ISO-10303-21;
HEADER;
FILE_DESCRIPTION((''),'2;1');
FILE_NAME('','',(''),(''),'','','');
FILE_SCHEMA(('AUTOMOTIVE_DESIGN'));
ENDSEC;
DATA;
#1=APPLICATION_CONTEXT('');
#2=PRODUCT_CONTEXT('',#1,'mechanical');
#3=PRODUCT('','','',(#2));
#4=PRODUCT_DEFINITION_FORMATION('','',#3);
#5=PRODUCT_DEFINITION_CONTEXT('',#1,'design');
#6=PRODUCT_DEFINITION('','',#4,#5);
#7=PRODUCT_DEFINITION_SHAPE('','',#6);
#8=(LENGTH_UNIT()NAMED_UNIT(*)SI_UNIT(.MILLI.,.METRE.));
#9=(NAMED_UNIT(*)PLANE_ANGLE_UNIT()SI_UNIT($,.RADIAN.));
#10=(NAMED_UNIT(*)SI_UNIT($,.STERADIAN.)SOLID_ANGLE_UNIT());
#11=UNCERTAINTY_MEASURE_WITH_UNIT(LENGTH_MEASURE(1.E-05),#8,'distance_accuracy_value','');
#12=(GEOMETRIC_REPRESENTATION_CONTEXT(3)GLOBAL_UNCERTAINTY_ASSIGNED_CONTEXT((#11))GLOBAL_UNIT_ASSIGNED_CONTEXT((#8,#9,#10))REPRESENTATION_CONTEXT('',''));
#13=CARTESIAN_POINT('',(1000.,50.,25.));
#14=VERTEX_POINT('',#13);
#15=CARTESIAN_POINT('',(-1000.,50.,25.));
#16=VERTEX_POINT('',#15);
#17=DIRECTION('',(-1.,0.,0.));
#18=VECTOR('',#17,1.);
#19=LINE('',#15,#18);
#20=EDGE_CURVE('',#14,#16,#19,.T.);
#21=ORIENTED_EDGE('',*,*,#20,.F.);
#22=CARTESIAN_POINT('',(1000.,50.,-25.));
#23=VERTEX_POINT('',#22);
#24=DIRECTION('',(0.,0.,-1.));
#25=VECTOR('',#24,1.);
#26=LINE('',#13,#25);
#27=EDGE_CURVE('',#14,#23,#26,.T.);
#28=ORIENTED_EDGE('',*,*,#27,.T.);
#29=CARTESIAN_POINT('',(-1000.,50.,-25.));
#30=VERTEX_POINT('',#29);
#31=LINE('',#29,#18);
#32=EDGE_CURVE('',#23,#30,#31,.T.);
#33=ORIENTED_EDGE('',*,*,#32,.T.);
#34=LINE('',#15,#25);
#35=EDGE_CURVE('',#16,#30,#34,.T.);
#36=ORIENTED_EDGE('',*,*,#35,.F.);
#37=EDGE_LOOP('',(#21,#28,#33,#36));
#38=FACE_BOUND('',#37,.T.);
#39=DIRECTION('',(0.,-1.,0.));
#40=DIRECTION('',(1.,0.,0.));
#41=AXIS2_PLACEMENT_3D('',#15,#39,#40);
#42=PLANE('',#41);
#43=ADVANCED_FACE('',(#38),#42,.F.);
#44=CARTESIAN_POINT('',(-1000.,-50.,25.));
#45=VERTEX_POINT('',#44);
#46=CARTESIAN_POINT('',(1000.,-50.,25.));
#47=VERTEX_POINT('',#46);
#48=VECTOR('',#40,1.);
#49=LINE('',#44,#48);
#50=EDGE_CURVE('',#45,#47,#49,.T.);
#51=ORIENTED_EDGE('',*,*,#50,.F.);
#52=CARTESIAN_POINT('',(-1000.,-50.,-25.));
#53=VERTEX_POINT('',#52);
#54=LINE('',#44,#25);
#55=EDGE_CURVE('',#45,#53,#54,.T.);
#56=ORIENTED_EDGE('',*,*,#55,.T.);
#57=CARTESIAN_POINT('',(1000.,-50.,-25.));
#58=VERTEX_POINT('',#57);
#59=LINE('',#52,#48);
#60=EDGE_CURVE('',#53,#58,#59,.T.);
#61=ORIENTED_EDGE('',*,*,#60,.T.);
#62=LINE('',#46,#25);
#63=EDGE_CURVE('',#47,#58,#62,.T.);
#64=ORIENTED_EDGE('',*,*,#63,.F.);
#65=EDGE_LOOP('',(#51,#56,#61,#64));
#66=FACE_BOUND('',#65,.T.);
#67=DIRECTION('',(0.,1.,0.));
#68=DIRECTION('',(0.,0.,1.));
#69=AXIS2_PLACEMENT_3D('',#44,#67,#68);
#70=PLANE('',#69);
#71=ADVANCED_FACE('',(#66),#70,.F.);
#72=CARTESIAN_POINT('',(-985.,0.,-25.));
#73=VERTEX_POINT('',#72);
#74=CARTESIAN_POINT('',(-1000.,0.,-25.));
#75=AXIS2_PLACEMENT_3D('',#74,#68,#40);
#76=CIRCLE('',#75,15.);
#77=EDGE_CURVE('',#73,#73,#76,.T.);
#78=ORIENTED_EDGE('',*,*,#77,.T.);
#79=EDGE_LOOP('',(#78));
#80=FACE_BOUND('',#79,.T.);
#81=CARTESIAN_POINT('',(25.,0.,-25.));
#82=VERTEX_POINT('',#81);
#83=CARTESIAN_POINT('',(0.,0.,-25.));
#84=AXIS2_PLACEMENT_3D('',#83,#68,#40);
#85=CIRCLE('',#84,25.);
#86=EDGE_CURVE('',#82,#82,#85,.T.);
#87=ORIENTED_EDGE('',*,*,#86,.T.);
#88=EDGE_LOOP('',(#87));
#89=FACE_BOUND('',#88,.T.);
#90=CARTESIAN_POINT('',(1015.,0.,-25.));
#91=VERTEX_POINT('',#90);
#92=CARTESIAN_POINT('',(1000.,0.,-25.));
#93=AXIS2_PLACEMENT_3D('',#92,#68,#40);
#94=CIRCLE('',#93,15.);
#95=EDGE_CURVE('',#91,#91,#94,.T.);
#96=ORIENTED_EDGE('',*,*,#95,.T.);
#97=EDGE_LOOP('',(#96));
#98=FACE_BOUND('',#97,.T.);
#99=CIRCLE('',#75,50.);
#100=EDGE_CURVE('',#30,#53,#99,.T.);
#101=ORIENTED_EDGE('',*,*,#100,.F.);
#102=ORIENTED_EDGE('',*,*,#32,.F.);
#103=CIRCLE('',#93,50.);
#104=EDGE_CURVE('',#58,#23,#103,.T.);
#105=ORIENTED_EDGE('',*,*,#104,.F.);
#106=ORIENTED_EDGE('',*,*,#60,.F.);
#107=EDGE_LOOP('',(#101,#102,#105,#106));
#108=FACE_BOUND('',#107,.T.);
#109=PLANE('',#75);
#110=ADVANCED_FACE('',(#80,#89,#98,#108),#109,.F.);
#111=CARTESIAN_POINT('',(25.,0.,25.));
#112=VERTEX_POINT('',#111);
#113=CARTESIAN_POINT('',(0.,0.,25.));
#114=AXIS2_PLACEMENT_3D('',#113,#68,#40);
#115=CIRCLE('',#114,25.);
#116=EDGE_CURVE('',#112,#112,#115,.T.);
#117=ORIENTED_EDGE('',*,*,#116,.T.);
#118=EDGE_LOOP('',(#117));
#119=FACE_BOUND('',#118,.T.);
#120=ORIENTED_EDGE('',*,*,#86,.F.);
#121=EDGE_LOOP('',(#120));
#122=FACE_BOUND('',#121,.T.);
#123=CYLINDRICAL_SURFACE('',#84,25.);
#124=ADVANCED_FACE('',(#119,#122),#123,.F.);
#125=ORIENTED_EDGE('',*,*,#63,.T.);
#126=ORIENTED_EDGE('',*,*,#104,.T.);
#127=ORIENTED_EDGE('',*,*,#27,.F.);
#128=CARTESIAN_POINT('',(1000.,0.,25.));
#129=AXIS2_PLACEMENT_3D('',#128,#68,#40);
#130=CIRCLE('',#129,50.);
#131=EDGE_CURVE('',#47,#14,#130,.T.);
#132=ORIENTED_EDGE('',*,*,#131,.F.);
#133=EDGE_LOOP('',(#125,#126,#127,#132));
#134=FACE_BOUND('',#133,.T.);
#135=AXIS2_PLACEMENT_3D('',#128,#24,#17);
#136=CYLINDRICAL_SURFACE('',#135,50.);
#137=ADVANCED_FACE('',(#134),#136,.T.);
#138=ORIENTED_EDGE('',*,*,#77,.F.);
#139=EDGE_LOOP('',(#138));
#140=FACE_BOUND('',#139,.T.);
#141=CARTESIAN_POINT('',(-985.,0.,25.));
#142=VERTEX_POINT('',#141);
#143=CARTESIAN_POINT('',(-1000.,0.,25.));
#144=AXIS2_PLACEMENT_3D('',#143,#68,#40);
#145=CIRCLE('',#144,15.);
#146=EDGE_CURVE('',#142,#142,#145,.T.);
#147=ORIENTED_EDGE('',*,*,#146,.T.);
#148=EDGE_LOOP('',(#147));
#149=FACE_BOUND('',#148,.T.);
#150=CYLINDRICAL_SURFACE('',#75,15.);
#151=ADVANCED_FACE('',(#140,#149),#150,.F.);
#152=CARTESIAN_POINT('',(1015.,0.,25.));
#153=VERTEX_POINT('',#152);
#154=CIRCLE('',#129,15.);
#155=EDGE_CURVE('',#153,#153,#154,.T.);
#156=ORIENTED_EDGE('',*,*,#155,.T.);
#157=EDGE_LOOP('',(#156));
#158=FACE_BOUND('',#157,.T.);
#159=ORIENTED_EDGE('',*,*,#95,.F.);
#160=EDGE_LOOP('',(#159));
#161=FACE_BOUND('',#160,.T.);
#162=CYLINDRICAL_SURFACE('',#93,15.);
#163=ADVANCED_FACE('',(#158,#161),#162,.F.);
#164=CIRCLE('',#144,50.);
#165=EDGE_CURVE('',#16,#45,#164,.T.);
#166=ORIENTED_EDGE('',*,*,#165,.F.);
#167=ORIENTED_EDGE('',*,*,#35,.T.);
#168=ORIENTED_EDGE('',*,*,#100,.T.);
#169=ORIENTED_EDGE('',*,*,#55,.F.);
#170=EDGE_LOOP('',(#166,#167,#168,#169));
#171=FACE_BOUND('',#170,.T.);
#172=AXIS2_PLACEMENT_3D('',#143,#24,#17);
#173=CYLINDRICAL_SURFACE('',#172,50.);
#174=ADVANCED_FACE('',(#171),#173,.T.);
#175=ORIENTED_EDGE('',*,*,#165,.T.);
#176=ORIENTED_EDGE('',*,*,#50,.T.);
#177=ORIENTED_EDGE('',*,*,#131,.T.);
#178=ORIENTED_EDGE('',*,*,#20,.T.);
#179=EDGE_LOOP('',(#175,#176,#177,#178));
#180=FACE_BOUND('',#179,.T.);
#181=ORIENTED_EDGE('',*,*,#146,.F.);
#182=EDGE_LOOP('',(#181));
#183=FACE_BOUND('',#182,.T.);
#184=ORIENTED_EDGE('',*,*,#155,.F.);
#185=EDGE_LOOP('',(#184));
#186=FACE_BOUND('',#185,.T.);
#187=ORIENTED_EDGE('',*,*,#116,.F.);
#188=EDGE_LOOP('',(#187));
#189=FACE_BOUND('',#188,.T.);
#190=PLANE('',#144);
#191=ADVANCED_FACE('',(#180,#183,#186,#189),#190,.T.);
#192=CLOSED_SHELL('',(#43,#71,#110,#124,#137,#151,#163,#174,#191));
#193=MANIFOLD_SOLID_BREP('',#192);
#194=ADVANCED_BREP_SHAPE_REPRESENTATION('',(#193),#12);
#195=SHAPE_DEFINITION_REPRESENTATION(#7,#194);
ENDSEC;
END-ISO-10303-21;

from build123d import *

# Parameters (mm, degrees)
BOSS_EXTRUDE1_DEPTH     = 25
SKETCH2_R               = 15
CUT_EXTRUDE1_DEPTH      = 51
SKETCH3_R               = 25
CUT_EXTRUDE2_DEPTH      = 26
CUT_EXTRUDE2_DEPTH_BACK = 26


with BuildPart() as part:
    # Sketch1 → Boss-Extrude1 (new body, symmetric)
    with BuildSketch(Plane.XY):
        with BuildLine():
            Line((-1000, 50), (1000, 50))
            ThreePointArc((1000, 50), (1050, 0), (1000, -50))
            Line((1000, -50), (-1000, -50))
            ThreePointArc((-1000, -50), (-1050, 0), (-1000, 50))
        make_face()
    extrude(amount=BOSS_EXTRUDE1_DEPTH, both=True)

    # Sketch2 → Cut-Extrude1 (cut, through all)
    with BuildSketch(Plane.XY.offset(25)):
        with Locations((-1000, 0)):
            Circle(SKETCH2_R)
        with Locations((1000, 0)):
            Circle(SKETCH2_R)
    extrude(amount=-CUT_EXTRUDE1_DEPTH, mode=Mode.SUBTRACT)

    # Sketch3 → Cut-Extrude2 (cut, two sides)
    with BuildSketch(Plane.XY) as cut_extrude2_sk:
        Circle(SKETCH3_R)
    extrude(amount=CUT_EXTRUDE2_DEPTH, mode=Mode.SUBTRACT)
    extrude(cut_extrude2_sk.sketch, amount=-CUT_EXTRUDE2_DEPTH_BACK, mode=Mode.SUBTRACT)


solid = part.part
